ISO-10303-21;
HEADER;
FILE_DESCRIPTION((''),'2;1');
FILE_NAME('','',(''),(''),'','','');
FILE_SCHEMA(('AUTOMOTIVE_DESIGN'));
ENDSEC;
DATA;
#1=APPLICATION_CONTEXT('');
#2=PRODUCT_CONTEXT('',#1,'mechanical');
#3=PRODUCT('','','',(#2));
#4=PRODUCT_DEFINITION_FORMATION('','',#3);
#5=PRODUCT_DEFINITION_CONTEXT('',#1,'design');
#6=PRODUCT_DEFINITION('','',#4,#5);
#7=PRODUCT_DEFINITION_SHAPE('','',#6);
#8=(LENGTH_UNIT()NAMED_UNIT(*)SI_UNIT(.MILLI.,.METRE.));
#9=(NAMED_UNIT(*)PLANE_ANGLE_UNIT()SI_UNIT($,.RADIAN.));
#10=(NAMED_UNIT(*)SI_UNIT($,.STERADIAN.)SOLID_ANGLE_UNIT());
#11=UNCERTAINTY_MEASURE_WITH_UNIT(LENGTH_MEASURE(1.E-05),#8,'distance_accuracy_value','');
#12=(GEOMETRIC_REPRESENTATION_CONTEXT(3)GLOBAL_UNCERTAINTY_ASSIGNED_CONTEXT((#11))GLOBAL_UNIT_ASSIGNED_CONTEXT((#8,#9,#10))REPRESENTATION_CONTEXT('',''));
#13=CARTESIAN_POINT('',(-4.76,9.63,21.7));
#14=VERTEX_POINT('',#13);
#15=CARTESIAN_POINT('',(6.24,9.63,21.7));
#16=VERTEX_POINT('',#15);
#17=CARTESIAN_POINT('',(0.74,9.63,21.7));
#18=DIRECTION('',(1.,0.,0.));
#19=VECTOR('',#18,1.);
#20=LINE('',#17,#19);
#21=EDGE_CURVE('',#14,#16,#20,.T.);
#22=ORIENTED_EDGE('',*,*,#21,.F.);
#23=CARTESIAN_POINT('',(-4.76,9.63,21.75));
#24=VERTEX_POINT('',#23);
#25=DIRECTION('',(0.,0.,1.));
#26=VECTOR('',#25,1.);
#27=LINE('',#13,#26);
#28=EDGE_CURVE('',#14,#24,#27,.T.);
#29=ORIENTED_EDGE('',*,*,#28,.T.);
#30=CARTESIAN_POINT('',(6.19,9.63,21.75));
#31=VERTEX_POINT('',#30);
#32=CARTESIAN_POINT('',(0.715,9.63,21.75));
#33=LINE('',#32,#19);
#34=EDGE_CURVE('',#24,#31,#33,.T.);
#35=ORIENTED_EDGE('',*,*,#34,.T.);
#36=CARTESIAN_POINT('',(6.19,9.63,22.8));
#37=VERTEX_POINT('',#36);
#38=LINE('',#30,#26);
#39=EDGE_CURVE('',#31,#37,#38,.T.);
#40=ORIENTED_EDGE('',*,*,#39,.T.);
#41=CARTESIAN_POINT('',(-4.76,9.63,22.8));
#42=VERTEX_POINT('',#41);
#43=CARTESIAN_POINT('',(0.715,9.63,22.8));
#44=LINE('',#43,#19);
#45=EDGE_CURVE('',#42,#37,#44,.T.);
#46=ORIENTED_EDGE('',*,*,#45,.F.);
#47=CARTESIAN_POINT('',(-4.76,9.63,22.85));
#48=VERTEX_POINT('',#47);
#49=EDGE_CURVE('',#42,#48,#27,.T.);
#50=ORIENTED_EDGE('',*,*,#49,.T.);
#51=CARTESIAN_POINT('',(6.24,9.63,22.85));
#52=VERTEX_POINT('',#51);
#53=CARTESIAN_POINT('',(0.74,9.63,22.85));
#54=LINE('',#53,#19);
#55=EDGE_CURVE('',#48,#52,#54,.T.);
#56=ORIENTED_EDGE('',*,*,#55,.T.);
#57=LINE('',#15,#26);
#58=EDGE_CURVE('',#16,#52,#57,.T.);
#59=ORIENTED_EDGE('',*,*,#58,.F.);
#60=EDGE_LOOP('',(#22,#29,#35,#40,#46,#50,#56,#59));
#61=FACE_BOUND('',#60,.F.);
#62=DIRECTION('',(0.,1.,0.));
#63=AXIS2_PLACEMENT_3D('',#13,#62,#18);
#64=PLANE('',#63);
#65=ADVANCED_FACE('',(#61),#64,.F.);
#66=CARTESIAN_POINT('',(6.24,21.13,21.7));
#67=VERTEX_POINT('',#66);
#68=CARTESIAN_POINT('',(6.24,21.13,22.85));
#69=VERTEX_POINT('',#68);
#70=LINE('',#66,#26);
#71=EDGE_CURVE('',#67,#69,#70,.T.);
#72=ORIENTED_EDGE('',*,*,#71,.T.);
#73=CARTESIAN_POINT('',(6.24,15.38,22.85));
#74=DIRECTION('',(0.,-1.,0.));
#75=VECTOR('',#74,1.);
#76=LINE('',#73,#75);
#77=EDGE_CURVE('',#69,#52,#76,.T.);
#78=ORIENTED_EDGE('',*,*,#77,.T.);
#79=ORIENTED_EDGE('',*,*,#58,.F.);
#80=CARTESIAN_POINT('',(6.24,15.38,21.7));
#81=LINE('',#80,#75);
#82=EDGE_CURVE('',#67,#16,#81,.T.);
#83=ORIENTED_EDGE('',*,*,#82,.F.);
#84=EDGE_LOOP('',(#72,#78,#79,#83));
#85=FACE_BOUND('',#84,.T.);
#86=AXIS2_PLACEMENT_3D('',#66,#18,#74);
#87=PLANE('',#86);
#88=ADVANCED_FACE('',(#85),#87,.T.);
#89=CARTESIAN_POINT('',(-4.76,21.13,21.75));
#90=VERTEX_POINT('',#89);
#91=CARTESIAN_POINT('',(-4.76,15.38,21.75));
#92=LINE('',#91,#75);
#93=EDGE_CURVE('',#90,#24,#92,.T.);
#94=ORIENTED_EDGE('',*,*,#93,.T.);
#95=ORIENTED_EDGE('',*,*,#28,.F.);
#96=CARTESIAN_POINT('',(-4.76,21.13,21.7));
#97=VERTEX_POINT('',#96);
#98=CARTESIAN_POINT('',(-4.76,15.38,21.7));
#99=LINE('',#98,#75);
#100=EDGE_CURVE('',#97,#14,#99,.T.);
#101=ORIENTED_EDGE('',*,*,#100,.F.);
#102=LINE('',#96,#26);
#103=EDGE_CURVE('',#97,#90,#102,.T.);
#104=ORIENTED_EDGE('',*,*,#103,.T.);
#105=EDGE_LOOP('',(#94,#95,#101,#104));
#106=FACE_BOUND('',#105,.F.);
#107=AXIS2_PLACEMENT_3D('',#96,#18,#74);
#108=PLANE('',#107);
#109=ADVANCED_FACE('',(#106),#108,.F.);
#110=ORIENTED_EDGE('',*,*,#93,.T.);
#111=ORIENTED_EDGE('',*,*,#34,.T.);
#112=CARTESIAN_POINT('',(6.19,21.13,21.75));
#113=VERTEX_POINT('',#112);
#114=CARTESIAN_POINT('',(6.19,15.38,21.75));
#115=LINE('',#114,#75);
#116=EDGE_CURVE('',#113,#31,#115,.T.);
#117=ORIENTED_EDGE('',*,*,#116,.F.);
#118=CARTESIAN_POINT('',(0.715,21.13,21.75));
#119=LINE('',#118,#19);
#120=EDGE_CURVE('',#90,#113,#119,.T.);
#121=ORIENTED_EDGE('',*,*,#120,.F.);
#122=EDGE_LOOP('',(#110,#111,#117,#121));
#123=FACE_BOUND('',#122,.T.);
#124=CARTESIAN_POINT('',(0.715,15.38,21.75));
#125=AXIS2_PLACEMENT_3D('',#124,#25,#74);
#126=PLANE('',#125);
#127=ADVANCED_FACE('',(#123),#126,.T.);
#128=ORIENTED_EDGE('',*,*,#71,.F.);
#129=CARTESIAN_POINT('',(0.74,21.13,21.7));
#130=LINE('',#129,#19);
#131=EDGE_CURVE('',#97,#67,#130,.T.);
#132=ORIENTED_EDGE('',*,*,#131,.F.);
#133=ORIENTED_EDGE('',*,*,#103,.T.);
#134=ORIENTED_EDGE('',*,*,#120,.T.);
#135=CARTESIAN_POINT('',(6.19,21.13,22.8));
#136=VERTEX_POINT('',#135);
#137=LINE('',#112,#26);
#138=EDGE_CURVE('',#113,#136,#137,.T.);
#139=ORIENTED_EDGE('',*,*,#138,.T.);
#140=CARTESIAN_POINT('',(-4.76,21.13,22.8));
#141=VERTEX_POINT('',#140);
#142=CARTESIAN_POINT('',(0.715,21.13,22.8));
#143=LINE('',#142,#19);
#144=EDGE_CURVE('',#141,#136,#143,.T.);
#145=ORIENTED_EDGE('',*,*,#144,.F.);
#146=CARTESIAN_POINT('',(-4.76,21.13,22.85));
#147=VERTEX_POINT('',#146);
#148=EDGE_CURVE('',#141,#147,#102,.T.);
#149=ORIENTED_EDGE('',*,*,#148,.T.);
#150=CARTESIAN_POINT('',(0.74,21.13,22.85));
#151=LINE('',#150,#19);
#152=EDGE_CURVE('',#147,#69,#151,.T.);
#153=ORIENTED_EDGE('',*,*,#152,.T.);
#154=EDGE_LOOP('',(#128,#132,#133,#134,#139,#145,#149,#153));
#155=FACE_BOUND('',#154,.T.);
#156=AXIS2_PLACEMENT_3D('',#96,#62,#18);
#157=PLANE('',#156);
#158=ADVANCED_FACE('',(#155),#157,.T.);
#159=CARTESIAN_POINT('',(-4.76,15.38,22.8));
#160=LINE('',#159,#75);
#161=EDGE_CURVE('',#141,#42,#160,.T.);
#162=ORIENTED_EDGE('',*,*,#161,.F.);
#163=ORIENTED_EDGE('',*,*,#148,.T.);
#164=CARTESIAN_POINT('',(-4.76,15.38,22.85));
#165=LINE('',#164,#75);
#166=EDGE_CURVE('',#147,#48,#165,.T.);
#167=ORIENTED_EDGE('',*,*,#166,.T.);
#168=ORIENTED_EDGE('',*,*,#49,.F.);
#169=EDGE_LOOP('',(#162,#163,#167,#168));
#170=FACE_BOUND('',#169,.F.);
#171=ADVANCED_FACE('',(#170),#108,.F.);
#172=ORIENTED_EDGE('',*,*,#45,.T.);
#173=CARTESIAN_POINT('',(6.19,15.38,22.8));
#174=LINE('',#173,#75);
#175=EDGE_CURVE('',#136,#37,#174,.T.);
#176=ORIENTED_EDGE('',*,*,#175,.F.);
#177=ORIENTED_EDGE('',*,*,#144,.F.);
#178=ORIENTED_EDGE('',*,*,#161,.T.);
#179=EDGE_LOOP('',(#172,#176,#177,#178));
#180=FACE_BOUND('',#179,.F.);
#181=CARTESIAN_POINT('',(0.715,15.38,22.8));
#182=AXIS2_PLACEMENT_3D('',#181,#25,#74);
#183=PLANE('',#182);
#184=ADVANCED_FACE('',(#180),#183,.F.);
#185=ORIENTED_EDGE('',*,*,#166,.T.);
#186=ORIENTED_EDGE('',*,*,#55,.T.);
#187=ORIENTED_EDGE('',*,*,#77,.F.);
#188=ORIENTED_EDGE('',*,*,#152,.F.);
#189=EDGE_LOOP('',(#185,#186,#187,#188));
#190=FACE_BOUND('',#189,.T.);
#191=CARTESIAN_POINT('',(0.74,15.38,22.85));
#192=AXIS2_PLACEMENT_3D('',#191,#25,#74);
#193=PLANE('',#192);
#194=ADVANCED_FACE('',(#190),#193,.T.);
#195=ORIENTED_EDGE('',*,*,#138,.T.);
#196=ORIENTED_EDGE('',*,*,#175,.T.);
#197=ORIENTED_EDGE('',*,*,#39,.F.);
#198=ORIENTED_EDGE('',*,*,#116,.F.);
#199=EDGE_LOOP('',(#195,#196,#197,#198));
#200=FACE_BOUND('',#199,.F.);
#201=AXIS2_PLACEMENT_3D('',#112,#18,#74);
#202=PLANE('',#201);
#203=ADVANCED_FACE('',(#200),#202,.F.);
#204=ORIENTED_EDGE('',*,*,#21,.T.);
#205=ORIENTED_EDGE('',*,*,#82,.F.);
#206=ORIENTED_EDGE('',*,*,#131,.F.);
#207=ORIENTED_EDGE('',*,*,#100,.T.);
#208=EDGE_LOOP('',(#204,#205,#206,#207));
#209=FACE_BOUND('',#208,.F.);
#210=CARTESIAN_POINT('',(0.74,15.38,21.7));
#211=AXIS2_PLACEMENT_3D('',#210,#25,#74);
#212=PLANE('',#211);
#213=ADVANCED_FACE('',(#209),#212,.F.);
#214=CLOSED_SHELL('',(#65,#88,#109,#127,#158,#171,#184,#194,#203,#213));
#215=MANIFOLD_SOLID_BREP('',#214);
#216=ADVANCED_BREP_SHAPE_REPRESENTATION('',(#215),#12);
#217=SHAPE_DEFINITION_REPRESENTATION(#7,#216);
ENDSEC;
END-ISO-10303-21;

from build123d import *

# Parameters (mm, degrees)
BOX079_W               = 11.5
BOX079_H               = 10.95
BOX079_DEPTH           = 1.05
BOX078_W               = 11.5
BOX078_H               = 11
BOX078_DEPTH           = 1.15
CUT025_PLACEMENT_ANGLE = 270


with BuildPart() as small_cu_gnd_electrode024:
    # Box079 → Box079 (new body)
    with BuildSketch(Plane.XY.offset(0.05)):
        with Locations((5.75, 5.475)):
            Rectangle(BOX079_W, BOX079_H)
    extrude(amount=BOX079_DEPTH)


with BuildPart() as large_cu_electrode_short_axis_gnd003:
    # Box078 → Box078 (new body)
    with BuildSketch(Plane.XY):
        with Locations((5.75, 5.5)):
            Rectangle(BOX078_W, BOX078_H)
    extrude(amount=BOX078_DEPTH)

    # Cut025: cut Small Cu GND Electrode024
    add(small_cu_gnd_electrode024.part, mode=Mode.SUBTRACT)


with BuildPart() as large_cu_electrode_short_axis_gnd003_1:
    # Cut025 placement: moved
    add(large_cu_electrode_short_axis_gnd003.part.moved(Location((-4.76, 21.13, 21.7))).rotate(Axis((-4.76, 21.13, 21.7), (0, 0, 1)), CUT025_PLACEMENT_ANGLE))


solid = large_cu_electrode_short_axis_gnd003_1.part
